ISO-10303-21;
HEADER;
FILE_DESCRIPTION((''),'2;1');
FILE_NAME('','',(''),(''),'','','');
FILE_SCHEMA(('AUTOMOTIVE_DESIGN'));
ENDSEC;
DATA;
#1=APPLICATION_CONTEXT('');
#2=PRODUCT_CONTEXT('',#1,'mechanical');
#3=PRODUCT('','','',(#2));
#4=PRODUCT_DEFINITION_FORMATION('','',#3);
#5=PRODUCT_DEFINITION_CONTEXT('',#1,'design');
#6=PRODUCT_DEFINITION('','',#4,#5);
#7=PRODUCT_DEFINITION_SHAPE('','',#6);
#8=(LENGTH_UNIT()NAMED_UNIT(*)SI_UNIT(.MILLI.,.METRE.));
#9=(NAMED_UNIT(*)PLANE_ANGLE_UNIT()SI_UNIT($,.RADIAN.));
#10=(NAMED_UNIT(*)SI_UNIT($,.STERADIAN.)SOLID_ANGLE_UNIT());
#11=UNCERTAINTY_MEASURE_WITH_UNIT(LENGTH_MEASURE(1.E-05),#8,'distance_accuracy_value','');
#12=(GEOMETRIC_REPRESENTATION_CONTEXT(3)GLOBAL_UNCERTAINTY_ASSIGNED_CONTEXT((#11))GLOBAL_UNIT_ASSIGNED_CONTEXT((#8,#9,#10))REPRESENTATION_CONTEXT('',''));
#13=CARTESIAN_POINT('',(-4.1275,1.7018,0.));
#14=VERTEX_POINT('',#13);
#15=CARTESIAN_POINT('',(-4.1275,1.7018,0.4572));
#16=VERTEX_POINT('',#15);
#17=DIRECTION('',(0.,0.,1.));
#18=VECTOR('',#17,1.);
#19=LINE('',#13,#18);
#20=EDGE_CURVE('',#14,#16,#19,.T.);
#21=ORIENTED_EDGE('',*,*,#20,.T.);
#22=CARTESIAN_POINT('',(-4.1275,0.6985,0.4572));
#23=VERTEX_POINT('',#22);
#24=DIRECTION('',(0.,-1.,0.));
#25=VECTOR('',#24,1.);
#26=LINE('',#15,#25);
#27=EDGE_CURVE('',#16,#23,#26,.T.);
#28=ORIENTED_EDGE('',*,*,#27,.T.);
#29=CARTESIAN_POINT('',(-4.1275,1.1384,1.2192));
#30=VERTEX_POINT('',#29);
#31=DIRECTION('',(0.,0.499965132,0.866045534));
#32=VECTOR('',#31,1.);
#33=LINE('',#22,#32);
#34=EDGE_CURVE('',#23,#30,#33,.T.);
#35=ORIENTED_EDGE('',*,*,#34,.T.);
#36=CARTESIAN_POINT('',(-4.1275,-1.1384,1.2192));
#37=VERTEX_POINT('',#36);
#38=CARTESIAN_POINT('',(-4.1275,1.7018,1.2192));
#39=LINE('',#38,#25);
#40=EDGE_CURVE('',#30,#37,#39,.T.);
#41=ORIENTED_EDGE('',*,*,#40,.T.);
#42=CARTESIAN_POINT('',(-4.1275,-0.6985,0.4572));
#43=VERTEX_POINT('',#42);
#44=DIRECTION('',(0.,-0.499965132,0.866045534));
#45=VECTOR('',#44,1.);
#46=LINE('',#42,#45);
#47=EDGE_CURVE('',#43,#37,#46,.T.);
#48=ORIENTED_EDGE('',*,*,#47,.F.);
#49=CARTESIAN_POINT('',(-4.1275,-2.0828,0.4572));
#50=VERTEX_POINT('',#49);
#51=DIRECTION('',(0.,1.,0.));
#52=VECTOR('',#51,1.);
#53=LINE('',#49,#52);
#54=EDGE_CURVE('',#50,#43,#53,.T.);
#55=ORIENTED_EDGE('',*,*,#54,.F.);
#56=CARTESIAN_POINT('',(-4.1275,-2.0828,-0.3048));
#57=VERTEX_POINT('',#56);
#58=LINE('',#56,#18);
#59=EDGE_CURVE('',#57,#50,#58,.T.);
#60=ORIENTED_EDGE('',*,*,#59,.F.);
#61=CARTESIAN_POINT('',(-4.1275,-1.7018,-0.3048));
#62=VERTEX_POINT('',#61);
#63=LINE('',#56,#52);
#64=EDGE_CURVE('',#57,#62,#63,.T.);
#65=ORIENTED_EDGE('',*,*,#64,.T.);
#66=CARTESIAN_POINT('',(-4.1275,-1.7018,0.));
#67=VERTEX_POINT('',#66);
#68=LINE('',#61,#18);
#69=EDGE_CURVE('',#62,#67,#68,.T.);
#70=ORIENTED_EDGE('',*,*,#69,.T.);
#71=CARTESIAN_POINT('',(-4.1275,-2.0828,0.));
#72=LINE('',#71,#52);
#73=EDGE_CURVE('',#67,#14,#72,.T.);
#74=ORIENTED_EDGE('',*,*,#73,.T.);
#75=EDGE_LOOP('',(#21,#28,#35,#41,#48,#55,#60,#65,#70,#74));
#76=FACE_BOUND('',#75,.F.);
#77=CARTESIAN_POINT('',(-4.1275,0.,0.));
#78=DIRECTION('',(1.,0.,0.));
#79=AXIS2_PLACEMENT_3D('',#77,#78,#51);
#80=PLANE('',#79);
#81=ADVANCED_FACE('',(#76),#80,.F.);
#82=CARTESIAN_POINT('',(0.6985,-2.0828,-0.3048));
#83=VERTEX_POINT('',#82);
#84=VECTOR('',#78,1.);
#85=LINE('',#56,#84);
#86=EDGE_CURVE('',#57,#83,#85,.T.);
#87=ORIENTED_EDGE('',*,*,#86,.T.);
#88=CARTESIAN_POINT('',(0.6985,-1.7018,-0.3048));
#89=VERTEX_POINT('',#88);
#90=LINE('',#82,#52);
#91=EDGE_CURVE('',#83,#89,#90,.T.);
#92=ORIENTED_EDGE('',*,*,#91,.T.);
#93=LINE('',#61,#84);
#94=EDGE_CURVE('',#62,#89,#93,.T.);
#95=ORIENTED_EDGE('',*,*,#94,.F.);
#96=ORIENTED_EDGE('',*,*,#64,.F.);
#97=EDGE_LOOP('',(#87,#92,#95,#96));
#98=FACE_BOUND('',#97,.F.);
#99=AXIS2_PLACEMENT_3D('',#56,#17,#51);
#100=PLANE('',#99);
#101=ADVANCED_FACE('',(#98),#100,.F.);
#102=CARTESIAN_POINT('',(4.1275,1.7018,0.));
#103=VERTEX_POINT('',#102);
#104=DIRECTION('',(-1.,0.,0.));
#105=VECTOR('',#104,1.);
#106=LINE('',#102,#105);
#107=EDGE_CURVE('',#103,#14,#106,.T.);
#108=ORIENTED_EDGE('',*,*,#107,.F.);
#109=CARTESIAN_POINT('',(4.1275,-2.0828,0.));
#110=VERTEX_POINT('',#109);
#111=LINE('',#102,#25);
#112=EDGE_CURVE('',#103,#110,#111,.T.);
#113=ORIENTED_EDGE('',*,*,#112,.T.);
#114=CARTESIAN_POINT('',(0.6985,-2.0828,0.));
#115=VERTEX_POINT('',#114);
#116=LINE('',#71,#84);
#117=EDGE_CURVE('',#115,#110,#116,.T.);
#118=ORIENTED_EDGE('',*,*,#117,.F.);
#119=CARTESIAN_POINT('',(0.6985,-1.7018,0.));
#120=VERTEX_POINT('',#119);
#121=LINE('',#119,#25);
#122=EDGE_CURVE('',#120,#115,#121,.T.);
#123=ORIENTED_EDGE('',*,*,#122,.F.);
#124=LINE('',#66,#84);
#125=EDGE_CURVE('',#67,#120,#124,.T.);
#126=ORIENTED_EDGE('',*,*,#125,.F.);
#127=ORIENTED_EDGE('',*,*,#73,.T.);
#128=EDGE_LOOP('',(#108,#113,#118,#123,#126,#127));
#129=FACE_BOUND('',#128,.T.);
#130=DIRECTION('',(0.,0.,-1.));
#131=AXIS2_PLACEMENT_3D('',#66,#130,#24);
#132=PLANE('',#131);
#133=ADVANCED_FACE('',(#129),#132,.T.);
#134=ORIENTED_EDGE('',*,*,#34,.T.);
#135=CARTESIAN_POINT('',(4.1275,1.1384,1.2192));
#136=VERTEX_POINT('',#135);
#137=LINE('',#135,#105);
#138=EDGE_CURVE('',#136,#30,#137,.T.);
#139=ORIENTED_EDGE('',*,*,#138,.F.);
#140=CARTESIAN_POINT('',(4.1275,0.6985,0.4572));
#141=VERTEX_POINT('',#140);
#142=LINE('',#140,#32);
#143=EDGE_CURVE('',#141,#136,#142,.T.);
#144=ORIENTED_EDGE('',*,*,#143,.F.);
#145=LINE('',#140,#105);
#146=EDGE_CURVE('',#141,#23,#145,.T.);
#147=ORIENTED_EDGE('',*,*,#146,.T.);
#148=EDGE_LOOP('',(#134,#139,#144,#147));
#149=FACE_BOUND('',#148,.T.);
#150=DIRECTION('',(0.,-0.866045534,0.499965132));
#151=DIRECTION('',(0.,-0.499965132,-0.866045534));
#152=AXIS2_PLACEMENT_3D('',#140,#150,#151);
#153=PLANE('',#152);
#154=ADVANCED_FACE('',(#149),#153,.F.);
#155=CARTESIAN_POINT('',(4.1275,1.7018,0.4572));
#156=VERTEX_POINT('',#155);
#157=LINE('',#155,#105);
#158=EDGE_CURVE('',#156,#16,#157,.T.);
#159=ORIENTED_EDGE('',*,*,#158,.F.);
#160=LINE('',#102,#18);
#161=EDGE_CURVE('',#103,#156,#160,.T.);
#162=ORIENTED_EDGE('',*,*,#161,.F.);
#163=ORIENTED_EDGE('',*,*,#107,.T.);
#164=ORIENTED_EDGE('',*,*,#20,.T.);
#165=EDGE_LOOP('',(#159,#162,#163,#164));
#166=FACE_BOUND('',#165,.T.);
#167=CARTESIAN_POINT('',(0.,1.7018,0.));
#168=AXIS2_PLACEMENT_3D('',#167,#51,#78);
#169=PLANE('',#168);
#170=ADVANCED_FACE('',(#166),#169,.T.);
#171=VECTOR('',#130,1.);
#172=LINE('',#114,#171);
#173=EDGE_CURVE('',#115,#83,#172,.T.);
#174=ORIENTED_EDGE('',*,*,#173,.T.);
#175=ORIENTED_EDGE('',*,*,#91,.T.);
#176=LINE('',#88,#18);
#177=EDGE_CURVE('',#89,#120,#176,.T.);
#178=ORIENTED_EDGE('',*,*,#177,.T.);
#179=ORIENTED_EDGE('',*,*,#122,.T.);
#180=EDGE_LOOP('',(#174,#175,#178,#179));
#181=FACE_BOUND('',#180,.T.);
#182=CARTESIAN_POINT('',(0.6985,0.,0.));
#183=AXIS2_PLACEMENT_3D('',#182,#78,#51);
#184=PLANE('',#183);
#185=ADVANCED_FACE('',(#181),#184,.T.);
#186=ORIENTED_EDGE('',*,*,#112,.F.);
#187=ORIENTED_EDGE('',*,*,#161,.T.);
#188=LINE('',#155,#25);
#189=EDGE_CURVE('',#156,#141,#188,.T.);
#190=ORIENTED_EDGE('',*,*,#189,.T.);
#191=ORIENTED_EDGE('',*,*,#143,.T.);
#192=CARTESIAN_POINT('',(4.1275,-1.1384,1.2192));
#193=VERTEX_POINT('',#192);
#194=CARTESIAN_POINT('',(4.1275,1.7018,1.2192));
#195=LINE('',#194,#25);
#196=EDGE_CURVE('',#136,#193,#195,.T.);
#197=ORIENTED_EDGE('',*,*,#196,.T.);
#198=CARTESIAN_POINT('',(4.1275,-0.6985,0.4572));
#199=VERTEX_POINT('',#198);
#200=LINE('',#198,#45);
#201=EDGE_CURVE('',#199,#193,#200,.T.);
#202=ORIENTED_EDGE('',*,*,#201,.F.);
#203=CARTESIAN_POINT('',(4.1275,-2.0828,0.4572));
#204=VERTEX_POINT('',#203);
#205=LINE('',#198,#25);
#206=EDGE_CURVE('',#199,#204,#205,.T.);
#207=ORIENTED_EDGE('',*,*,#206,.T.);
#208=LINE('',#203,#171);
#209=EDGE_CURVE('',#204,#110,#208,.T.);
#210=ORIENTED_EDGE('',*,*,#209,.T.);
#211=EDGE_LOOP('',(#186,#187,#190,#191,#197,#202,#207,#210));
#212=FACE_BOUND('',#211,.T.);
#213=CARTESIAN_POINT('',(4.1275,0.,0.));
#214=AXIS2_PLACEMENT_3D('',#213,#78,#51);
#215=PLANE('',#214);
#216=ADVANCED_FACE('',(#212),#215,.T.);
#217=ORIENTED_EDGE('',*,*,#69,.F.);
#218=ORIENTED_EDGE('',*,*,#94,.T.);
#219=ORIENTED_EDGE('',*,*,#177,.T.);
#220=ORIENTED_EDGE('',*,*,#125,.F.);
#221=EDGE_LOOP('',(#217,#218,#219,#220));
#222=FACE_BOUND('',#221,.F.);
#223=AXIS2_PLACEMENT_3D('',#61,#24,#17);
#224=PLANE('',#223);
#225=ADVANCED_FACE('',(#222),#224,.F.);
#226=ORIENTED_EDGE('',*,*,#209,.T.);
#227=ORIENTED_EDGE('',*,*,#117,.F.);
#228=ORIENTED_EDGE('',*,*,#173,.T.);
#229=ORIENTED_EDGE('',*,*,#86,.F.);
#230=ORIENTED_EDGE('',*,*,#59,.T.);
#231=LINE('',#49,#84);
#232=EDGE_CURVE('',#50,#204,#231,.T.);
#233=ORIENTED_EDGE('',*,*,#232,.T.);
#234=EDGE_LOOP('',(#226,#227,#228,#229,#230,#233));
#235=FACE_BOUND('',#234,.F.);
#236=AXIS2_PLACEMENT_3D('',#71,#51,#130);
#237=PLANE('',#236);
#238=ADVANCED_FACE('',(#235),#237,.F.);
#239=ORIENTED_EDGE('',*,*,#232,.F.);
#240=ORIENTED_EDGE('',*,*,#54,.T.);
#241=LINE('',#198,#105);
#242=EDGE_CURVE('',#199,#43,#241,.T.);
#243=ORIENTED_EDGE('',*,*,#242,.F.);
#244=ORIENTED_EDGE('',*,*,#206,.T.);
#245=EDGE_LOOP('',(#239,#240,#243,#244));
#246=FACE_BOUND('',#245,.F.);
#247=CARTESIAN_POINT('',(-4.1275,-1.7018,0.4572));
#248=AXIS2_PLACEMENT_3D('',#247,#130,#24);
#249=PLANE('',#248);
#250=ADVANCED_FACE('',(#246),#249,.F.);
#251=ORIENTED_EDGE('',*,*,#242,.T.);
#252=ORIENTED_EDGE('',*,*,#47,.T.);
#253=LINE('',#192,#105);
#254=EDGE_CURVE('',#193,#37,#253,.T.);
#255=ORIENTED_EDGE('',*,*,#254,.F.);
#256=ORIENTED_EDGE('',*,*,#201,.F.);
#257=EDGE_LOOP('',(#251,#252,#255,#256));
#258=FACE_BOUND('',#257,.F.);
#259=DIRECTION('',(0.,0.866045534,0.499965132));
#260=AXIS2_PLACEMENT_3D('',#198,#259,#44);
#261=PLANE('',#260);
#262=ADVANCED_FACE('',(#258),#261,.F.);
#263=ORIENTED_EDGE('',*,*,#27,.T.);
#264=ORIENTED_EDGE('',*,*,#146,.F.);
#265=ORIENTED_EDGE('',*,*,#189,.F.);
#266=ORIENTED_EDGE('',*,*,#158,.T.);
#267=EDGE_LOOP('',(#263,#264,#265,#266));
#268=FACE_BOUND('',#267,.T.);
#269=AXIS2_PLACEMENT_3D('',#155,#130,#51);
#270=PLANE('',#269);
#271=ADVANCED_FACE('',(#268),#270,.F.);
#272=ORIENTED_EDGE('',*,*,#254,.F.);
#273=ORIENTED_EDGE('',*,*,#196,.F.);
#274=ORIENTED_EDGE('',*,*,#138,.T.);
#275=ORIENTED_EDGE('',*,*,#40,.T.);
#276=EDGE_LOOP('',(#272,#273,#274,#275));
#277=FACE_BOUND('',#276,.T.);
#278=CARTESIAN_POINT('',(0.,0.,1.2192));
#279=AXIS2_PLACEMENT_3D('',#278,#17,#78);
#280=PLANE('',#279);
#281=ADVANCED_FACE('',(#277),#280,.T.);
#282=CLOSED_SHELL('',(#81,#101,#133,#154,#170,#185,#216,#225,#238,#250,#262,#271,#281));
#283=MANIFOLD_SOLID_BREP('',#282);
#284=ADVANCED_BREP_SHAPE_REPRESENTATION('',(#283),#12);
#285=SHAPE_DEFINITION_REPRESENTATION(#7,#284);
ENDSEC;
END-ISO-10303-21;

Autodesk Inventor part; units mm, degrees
ref_plane "YZ Plane" through (0, 0, 0) normal (1, 0, 0) x (0, 1, 0)
ref_plane "XZ Plane" through (0, 0, 0) normal (0, 1, 0) x (-1, 0, 0)
ref_plane "XY Plane" through (0, 0, 0) normal (0, 0, 1) x (1, 0, 0)
sketch "Sketch1" plane through (0, 0, 0) normal (0, 0, 1) x (1, 0, 0)
  line L0 (0, 2.3825) -> (0, -2.3825) projected
  line L1 (-5.7785, 0) -> (5.7785, 0) projected
  line L2 (4.1275, -1.7018) -> (-4.1275, -1.7018)
  line L3 (-4.1275, -1.7018) -> (-4.1275, 1.7018)
  line L4 (-4.1275, 1.7018) -> (4.1275, 1.7018)
  line L5 (4.1275, 1.7018) -> (4.1275, -1.7018)
  line L6 (4.1275, -1.7018) -> (-4.1275, 1.7018) construction
  line L7 (-4.1275, -1.7018) -> (4.1275, 1.7018) construction
  point P0 (0, 0)
  dimension "d0" = 8.255
  dimension "d1" = 3.4036
extrude "Extrusion1" add sketch "Sketch1" along normal blind 1.2192
sketch "Sketch2" plane through (4.1275, -1.7018, 0) normal (1, 0, 0) x (0, 0, -1)
  line L0 (0, 0) -> (-1.2192, 0) projected
  line L1 (-1.2192, 0) -> (-1.2192, 3.4036) projected
  line L2 (0, 3.4036) -> (0, 0) projected
  line L3 (-0.4572, 0) -> (-0.4572, 1.0033)
  line L4 (-0.4572, 1.0033) -> (-1.2192, 0.5634)
  line L5 (-1.2192, 0.5634) -> (-1.2192, 0)
  line L6 (-1.2192, 0) -> (-0.4572, 0)
  line L7 (-1.463, 1.7018) -> (0.2438, 1.7018) projected
  point P0 (0, 1.7018)
  dimension "d6" = 60
  dimension "d15" = 0.5634
  dimension "d28" = 0.6985
  dimension "d32" = 1.1384
  dimension "d33" = 0.4572
extrude "Extrusion2" cut sketch "Sketch2" against normal blind 8.255 contours L0 L1 L4 L3
mirror "Mirror1" about plane through (0, 0, 0) normal (0, 1, 0) of "Extrusion2"
sketch "Sketch5" plane through (-4.1275, 0, 0) normal (1, 0, 0) x (0, 1, 0)
  line L0 (1.7018, 0) -> (-1.7018, 0) projected
  line L1 (-1.7018, 0) -> (-1.7018, 0.4572) projected
  line L2 (1.7018, 0) -> (1.7018, 0.4572) projected
  line L3 (-1.7018, 0) -> (-2.0828, 0)
  line L4 (-2.0828, 0) -> (-2.0828, -0.3048)
  line L5 (-2.0828, -0.3048) -> (-1.7018, -0.3048)
  line L6 (-1.7018, -0.3048) -> (-1.7018, 0)
  line L7 (1.7018, 0) -> (2.0828, 0)
  line L8 (2.0828, 0) -> (2.0828, -0.3048)
  line L9 (2.0828, -0.3048) -> (1.7018, -0.3048)
  line L10 (1.7018, -0.3048) -> (1.7018, 0)
  line L11 (0, 1.524) -> (0, -0.6096) projected
  line L12 (-1.7018, 0.4572) -> (-2.0828, 0.4572)
  line L13 (-2.0828, 0.4572) -> (-2.0828, 0)
  point P0 (0, 0)
  dimension "d20" = 0.3048
  dimension "d29" = 0.381
extrude "Extrusion5" add sketch "Sketch5" along normal up to surface (8.255 mm away) contours L3 L13 L12 L1
extrude "Extrusion7" add sketch "Sketch5" along normal blind 4.826 contours L6 L5 L4 L3
properties part number "J008039 NEUROPIXELS DOVE TAIL MOUNT GEN 2 Rev -" material "ALUMINUM, 6061-T651"
